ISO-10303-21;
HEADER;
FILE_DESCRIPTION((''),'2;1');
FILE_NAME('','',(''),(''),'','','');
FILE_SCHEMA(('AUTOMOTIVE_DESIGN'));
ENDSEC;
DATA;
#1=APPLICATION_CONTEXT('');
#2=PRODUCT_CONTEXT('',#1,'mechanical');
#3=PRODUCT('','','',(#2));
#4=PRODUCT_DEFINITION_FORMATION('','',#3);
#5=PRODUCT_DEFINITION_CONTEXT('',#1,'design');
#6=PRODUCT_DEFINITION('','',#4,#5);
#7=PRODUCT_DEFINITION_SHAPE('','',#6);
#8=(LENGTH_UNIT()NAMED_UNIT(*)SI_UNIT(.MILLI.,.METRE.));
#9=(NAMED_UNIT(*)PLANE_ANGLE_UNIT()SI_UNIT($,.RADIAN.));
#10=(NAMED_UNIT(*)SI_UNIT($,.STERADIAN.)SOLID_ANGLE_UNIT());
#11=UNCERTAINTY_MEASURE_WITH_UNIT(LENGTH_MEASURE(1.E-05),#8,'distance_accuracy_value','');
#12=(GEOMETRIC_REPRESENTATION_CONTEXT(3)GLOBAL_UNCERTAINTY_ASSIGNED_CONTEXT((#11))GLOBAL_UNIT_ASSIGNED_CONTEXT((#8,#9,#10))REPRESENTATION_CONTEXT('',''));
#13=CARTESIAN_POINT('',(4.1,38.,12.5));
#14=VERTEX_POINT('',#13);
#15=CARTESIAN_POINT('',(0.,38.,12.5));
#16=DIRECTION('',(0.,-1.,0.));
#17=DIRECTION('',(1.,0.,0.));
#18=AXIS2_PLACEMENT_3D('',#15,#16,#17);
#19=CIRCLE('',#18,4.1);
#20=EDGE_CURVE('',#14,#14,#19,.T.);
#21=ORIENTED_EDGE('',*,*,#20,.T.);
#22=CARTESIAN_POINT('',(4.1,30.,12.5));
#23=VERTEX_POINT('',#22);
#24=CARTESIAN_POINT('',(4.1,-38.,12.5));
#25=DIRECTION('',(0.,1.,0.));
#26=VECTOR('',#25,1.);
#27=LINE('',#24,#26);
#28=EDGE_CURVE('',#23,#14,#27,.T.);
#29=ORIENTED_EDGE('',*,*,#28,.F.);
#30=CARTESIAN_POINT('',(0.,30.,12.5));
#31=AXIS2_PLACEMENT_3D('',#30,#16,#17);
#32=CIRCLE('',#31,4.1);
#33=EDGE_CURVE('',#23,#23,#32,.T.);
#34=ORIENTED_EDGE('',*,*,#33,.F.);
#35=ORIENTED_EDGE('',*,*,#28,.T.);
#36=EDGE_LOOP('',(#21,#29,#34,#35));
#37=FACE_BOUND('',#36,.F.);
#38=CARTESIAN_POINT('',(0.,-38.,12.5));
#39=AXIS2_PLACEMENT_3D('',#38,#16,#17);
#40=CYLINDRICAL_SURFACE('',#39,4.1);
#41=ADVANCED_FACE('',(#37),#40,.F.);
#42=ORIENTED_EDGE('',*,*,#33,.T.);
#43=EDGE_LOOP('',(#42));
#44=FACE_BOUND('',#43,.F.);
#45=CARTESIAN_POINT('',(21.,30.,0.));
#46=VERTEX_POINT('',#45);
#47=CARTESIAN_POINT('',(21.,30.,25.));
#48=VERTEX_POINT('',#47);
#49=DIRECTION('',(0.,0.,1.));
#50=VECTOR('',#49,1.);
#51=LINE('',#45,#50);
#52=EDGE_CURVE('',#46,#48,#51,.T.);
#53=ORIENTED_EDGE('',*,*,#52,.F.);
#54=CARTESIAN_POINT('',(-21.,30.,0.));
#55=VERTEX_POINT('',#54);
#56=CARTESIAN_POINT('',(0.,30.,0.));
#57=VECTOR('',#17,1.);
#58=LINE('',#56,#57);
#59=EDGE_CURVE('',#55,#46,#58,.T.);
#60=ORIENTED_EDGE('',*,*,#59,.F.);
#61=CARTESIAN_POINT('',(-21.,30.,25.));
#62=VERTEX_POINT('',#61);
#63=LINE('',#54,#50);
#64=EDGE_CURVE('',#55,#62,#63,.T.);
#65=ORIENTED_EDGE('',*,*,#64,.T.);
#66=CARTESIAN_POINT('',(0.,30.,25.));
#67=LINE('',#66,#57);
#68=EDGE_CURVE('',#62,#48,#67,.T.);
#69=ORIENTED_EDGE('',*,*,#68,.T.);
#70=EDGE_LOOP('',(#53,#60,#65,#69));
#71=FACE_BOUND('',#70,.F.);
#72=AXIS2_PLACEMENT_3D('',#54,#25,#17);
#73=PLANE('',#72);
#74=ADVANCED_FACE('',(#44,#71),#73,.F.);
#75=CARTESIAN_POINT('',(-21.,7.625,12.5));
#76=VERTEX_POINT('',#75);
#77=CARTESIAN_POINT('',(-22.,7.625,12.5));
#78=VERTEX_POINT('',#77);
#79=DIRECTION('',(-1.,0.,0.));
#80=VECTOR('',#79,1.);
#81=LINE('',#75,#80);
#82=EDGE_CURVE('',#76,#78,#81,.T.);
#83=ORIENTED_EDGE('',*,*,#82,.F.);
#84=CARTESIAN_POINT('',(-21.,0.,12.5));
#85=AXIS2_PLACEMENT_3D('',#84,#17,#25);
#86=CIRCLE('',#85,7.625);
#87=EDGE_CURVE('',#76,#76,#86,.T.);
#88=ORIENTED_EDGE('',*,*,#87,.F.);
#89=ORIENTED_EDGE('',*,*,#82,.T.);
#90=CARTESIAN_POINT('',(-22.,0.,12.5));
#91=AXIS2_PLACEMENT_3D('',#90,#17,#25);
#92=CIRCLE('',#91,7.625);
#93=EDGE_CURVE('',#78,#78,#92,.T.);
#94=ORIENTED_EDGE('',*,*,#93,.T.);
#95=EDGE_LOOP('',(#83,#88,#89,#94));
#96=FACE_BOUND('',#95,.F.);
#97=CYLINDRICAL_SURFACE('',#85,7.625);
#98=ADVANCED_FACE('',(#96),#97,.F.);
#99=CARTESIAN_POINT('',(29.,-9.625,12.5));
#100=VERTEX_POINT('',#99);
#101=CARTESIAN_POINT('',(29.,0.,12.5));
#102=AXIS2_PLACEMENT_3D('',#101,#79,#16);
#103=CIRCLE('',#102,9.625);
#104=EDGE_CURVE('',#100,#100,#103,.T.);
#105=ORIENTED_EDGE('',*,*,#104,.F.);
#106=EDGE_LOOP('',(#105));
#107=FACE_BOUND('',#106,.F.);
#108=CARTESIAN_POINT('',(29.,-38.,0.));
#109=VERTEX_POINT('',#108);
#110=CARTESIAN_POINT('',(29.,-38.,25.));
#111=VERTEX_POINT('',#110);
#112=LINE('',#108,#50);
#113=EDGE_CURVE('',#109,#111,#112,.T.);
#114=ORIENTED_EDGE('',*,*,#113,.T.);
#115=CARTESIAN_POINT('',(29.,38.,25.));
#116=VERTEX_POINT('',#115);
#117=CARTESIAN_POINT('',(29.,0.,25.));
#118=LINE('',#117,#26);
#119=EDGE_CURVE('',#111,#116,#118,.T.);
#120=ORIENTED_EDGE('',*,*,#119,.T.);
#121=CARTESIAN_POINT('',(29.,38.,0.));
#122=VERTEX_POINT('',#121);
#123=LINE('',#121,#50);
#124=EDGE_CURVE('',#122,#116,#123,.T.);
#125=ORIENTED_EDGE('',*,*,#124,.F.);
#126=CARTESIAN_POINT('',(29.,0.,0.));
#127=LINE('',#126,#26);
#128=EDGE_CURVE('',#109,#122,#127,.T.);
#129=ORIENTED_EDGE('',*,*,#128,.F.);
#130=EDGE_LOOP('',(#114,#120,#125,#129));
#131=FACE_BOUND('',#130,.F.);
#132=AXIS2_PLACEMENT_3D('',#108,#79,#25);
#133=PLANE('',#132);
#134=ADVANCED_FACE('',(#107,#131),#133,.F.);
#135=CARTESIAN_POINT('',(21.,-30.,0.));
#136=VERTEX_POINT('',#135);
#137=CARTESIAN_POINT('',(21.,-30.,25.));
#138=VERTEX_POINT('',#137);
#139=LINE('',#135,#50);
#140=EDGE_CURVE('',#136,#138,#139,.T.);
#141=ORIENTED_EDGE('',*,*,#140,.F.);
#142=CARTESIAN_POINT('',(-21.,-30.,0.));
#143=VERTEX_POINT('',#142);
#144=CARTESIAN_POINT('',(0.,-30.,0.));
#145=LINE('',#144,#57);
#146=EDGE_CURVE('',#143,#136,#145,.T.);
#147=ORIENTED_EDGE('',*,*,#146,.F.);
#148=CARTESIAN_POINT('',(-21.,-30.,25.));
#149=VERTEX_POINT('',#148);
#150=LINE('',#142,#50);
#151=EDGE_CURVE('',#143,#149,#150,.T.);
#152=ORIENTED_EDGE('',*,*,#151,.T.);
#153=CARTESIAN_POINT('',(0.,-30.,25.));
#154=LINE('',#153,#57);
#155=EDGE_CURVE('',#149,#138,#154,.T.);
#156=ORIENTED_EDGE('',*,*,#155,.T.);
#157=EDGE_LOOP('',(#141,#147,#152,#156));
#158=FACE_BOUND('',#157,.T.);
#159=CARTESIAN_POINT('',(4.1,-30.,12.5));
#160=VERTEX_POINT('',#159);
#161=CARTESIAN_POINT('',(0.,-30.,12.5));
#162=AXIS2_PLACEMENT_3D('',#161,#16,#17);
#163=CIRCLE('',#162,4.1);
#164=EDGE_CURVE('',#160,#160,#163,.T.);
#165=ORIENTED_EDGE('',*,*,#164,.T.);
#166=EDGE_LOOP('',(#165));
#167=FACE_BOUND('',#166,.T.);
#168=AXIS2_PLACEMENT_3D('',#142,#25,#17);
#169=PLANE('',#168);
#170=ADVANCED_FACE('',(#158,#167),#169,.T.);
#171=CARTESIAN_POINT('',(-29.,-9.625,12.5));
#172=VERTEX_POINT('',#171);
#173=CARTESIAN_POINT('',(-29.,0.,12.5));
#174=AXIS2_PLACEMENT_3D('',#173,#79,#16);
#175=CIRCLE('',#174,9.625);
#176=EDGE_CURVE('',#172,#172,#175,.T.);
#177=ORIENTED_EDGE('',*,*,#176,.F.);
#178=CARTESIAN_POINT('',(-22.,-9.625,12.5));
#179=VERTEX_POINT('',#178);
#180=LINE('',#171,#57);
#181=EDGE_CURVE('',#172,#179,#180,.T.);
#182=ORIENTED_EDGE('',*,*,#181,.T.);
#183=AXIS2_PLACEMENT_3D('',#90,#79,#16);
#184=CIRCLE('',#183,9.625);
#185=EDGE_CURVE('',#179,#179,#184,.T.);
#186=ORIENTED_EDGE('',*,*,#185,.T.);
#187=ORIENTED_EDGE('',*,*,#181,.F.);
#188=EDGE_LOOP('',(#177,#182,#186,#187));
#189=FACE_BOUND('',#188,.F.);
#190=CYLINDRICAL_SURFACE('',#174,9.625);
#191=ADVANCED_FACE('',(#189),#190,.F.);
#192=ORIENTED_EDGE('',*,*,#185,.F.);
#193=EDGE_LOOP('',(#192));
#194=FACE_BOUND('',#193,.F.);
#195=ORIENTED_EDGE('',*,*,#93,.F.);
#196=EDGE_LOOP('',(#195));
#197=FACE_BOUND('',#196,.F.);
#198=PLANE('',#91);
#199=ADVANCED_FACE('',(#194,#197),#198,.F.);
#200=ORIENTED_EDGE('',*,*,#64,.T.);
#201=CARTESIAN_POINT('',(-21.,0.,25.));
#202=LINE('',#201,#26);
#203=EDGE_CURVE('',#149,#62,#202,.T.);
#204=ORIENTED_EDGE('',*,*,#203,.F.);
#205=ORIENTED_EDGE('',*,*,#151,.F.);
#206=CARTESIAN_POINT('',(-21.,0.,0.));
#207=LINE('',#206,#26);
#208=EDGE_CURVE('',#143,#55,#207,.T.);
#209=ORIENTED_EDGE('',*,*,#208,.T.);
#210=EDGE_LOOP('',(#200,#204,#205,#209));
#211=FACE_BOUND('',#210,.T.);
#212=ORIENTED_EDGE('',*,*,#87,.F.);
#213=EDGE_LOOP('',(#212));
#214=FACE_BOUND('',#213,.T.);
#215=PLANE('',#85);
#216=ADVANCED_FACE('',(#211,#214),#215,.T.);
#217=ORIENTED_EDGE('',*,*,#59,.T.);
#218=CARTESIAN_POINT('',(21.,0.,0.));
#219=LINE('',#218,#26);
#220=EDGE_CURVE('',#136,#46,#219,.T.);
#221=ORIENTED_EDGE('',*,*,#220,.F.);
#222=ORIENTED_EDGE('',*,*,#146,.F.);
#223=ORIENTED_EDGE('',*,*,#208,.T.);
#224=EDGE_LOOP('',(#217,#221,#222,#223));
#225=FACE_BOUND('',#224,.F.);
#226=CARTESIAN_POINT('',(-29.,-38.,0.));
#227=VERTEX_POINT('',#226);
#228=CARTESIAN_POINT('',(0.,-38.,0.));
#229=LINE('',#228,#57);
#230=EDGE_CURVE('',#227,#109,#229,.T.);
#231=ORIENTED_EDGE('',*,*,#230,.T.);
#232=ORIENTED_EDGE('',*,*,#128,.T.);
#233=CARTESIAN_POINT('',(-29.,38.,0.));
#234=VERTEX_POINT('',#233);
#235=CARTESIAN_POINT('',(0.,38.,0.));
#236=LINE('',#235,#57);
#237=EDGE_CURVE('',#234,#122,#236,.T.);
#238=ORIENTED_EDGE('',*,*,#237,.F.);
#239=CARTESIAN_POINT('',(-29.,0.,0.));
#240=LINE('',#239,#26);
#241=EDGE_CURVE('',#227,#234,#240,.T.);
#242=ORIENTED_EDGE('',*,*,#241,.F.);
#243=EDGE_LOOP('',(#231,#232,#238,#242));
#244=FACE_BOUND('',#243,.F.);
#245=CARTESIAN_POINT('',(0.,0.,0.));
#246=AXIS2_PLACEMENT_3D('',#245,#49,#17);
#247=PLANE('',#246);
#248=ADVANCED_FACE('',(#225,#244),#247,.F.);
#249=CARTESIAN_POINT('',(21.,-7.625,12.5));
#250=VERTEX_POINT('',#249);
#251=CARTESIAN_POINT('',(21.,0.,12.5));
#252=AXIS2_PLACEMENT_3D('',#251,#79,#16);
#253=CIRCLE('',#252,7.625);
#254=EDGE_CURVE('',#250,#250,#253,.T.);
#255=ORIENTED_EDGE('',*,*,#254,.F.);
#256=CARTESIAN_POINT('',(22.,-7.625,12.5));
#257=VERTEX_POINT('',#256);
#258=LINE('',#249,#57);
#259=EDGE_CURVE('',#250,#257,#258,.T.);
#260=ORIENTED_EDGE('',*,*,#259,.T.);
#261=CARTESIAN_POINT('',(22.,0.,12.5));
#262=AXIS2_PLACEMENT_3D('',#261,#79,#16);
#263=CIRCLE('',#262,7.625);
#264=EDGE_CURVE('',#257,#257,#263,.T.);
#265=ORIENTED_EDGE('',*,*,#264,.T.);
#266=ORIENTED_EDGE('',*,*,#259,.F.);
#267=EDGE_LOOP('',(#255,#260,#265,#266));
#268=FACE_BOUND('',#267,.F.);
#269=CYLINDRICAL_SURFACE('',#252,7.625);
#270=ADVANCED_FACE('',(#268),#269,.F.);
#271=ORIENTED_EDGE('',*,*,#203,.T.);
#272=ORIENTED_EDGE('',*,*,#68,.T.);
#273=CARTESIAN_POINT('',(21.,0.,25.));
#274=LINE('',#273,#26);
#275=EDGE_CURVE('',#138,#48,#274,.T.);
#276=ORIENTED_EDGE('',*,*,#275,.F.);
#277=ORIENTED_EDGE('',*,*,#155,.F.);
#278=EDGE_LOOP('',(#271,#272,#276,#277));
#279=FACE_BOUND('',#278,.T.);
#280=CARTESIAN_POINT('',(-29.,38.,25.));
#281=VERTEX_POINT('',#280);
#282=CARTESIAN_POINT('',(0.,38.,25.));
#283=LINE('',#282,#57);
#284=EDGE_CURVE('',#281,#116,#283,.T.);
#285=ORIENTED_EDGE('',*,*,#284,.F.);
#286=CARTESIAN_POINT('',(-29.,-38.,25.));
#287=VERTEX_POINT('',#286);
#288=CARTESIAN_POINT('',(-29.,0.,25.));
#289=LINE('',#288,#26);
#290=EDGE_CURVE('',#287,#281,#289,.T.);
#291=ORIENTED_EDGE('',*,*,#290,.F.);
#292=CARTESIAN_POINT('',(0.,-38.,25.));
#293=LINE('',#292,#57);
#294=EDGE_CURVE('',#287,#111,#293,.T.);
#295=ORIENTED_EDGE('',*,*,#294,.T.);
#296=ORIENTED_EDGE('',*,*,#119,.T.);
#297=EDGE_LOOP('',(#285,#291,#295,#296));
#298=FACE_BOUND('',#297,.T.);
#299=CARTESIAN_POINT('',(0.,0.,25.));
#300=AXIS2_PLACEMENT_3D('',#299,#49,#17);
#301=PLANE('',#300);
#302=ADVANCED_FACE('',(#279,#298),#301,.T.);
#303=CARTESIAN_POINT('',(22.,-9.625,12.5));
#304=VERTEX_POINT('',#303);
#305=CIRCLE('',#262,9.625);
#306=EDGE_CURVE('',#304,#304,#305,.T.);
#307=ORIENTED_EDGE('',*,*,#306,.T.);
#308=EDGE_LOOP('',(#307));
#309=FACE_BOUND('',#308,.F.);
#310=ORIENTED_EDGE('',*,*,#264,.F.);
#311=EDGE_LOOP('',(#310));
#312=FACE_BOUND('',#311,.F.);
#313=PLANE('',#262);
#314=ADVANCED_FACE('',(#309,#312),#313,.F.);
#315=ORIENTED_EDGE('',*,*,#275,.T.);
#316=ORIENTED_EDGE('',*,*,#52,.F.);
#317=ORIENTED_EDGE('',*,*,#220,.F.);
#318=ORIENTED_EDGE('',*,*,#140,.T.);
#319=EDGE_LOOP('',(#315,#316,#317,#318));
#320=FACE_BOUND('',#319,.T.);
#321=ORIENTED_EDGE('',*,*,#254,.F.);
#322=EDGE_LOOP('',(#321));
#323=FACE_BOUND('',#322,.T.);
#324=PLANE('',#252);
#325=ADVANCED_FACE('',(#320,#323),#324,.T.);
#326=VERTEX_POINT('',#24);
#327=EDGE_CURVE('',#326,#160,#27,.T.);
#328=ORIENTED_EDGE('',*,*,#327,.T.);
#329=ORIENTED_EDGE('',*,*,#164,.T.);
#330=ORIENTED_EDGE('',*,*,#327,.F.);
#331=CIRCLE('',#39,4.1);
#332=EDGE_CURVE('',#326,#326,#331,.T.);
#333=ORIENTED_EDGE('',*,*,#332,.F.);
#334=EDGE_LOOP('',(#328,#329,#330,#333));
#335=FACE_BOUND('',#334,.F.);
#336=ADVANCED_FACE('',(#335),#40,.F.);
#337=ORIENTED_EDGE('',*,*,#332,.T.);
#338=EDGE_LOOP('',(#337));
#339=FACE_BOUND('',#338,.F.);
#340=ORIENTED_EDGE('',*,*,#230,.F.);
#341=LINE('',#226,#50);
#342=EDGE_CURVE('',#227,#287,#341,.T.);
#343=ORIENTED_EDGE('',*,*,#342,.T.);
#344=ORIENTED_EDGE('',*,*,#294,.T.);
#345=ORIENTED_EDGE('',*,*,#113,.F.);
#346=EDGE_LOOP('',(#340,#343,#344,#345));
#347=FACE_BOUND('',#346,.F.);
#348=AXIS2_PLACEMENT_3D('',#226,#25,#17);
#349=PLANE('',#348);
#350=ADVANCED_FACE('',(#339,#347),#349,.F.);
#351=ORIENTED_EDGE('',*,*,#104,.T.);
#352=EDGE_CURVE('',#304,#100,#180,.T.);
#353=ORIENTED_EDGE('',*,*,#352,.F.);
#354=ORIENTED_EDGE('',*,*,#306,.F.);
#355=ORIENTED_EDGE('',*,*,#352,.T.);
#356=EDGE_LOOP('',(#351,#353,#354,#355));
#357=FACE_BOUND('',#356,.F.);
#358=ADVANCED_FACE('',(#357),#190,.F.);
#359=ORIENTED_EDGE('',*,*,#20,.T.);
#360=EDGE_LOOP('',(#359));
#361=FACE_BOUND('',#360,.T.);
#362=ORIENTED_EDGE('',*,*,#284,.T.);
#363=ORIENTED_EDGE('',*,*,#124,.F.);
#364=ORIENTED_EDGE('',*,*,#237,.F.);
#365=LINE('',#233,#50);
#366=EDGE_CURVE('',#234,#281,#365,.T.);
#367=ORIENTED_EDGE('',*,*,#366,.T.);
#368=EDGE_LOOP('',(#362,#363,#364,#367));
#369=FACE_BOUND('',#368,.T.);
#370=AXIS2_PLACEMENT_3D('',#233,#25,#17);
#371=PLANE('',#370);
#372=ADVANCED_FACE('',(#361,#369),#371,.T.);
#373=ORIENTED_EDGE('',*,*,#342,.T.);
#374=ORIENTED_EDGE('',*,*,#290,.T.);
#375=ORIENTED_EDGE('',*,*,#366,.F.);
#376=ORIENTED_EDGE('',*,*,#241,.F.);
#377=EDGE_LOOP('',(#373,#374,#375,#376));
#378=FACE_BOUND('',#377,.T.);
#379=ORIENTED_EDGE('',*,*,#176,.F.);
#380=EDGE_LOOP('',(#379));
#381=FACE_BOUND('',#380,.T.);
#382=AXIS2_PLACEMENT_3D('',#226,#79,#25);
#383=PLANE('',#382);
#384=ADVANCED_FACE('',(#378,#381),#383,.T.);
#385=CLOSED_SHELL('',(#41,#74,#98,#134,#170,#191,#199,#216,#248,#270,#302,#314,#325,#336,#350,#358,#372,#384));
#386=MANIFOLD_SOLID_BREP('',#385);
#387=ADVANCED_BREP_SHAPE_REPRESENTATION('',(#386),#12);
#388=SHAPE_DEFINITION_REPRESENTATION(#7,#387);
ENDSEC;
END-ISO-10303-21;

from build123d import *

# Parameters (mm, degrees)
F0_W     = 58
F0_H     = 76
F0_W_2   = 42
F0_H_2   = 60
F1_DEPTH = 25
F2_R     = 9.625
F3_DEPTH = 58
F4_R     = 4.1
F5_DEPTH = 76
F6_R     = 9.625
F6_R_2   = 7.625
F7_DEPTH = 1
F8_R     = 9.625
F8_R_2   = 7.625
F9_DEPTH = 1


with BuildPart() as f1:
    # F0 (on Top) → F1 (new body)
    with BuildSketch(Plane.XY):
        Rectangle(F0_W, F0_H)
        Rectangle(F0_W_2, F0_H_2, mode=Mode.SUBTRACT)
    extrude(amount=F1_DEPTH)

    # F2 (on face) → F3 (cut, through all)
    with BuildSketch(Plane(origin=(-29, 0, 0), x_dir=(0, -1, 0), z_dir=(-1, 0, 0))):
        with Locations((0, 12.5)):
            Circle(F2_R)
    extrude(amount=-F3_DEPTH, mode=Mode.SUBTRACT)

    # F4 (on face) → F5 (cut, through all)
    with BuildSketch(Plane.XZ.offset(38)):
        with Locations((0, 12.5)):
            Circle(F4_R)
    extrude(amount=-F5_DEPTH, mode=Mode.SUBTRACT)

    # F6 (on face) → F7 (join)
    with BuildSketch(Plane(origin=(21, 0, 0), x_dir=(0, -1, 0), z_dir=(-1, 0, 0))):
        with Locations((0, 12.5)):
            Circle(F6_R)
        with Locations((0, 12.5)):
            Circle(F6_R_2, mode=Mode.SUBTRACT)
    extrude(amount=-F7_DEPTH)

    # F8 (on face) → F9 (join)
    with BuildSketch(Plane.YZ.offset(-21)):
        with Locations((0, 12.5)):
            Circle(F8_R)
        with Locations((0, 12.5)):
            Circle(F8_R_2, mode=Mode.SUBTRACT)
    extrude(amount=-F9_DEPTH)


solid = f1.part
